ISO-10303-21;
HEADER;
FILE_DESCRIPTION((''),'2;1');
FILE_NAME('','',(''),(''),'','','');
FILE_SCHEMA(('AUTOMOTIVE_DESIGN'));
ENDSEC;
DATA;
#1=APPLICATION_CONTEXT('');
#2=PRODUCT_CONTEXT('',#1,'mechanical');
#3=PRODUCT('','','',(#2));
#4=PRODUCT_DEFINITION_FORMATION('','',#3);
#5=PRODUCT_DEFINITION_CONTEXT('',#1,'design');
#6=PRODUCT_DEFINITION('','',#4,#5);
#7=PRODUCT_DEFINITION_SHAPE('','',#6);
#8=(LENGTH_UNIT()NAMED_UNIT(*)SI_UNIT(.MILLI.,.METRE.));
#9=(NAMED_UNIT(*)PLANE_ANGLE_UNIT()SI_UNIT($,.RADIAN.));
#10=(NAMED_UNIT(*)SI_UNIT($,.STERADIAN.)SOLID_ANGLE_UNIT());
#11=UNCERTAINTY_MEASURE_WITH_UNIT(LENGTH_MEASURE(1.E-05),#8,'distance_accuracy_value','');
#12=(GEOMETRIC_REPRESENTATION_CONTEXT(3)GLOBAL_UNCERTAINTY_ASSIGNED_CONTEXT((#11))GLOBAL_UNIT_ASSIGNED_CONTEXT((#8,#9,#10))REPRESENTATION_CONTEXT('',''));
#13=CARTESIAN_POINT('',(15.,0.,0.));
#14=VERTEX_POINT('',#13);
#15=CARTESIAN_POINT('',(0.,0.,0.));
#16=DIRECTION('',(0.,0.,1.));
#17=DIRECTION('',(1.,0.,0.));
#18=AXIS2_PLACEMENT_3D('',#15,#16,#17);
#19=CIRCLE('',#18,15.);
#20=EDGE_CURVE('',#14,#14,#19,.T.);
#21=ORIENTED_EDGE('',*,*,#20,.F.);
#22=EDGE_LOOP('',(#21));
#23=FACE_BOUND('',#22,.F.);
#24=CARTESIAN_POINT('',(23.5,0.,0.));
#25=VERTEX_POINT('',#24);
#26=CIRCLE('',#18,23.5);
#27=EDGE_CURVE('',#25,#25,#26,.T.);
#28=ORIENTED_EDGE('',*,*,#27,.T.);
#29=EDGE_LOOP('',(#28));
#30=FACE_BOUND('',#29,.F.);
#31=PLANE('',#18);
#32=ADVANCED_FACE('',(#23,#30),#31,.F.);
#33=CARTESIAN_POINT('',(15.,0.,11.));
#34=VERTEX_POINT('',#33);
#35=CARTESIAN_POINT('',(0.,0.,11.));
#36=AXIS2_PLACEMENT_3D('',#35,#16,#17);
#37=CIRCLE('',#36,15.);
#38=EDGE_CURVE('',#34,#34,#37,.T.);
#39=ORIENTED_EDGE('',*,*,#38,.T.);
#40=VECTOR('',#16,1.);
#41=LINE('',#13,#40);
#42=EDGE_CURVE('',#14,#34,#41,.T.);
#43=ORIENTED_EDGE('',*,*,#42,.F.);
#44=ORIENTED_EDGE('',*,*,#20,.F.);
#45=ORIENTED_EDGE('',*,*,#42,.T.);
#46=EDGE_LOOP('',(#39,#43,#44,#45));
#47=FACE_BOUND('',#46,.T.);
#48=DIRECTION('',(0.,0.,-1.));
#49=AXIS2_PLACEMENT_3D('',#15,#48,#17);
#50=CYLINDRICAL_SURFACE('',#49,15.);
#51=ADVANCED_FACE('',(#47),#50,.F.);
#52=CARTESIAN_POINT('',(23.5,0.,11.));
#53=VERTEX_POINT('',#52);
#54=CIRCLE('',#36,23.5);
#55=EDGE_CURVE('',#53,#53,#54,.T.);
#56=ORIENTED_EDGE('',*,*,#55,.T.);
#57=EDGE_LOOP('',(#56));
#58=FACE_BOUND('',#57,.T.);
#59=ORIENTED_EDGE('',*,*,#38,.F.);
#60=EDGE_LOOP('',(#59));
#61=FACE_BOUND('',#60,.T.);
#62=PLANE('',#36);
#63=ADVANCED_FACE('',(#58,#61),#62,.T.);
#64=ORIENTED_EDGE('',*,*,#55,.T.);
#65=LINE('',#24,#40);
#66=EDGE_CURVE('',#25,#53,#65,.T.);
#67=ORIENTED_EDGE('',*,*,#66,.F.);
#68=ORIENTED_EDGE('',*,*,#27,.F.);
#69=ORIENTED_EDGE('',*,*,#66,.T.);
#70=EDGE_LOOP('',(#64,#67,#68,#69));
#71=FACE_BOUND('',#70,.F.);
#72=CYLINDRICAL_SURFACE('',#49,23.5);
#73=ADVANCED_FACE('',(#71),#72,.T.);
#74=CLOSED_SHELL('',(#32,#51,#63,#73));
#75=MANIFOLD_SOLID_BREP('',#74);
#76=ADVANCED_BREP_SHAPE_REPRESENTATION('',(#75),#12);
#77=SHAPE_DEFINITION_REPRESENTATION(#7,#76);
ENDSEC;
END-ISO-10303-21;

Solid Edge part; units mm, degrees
sketch "Sketch1" plane through (0, 0, 0) normal (0, 0, 1) x (1, 0, 0)
  circle A0 centre (0, 0) radius 23.5
  circle A1 centre (0, 0) radius 15
  dimension "D1" = 30
  dimension "D2" = 47
extrude "Extrusionsausprägung_16" add sketch "Sketch1" along normal blind 11
